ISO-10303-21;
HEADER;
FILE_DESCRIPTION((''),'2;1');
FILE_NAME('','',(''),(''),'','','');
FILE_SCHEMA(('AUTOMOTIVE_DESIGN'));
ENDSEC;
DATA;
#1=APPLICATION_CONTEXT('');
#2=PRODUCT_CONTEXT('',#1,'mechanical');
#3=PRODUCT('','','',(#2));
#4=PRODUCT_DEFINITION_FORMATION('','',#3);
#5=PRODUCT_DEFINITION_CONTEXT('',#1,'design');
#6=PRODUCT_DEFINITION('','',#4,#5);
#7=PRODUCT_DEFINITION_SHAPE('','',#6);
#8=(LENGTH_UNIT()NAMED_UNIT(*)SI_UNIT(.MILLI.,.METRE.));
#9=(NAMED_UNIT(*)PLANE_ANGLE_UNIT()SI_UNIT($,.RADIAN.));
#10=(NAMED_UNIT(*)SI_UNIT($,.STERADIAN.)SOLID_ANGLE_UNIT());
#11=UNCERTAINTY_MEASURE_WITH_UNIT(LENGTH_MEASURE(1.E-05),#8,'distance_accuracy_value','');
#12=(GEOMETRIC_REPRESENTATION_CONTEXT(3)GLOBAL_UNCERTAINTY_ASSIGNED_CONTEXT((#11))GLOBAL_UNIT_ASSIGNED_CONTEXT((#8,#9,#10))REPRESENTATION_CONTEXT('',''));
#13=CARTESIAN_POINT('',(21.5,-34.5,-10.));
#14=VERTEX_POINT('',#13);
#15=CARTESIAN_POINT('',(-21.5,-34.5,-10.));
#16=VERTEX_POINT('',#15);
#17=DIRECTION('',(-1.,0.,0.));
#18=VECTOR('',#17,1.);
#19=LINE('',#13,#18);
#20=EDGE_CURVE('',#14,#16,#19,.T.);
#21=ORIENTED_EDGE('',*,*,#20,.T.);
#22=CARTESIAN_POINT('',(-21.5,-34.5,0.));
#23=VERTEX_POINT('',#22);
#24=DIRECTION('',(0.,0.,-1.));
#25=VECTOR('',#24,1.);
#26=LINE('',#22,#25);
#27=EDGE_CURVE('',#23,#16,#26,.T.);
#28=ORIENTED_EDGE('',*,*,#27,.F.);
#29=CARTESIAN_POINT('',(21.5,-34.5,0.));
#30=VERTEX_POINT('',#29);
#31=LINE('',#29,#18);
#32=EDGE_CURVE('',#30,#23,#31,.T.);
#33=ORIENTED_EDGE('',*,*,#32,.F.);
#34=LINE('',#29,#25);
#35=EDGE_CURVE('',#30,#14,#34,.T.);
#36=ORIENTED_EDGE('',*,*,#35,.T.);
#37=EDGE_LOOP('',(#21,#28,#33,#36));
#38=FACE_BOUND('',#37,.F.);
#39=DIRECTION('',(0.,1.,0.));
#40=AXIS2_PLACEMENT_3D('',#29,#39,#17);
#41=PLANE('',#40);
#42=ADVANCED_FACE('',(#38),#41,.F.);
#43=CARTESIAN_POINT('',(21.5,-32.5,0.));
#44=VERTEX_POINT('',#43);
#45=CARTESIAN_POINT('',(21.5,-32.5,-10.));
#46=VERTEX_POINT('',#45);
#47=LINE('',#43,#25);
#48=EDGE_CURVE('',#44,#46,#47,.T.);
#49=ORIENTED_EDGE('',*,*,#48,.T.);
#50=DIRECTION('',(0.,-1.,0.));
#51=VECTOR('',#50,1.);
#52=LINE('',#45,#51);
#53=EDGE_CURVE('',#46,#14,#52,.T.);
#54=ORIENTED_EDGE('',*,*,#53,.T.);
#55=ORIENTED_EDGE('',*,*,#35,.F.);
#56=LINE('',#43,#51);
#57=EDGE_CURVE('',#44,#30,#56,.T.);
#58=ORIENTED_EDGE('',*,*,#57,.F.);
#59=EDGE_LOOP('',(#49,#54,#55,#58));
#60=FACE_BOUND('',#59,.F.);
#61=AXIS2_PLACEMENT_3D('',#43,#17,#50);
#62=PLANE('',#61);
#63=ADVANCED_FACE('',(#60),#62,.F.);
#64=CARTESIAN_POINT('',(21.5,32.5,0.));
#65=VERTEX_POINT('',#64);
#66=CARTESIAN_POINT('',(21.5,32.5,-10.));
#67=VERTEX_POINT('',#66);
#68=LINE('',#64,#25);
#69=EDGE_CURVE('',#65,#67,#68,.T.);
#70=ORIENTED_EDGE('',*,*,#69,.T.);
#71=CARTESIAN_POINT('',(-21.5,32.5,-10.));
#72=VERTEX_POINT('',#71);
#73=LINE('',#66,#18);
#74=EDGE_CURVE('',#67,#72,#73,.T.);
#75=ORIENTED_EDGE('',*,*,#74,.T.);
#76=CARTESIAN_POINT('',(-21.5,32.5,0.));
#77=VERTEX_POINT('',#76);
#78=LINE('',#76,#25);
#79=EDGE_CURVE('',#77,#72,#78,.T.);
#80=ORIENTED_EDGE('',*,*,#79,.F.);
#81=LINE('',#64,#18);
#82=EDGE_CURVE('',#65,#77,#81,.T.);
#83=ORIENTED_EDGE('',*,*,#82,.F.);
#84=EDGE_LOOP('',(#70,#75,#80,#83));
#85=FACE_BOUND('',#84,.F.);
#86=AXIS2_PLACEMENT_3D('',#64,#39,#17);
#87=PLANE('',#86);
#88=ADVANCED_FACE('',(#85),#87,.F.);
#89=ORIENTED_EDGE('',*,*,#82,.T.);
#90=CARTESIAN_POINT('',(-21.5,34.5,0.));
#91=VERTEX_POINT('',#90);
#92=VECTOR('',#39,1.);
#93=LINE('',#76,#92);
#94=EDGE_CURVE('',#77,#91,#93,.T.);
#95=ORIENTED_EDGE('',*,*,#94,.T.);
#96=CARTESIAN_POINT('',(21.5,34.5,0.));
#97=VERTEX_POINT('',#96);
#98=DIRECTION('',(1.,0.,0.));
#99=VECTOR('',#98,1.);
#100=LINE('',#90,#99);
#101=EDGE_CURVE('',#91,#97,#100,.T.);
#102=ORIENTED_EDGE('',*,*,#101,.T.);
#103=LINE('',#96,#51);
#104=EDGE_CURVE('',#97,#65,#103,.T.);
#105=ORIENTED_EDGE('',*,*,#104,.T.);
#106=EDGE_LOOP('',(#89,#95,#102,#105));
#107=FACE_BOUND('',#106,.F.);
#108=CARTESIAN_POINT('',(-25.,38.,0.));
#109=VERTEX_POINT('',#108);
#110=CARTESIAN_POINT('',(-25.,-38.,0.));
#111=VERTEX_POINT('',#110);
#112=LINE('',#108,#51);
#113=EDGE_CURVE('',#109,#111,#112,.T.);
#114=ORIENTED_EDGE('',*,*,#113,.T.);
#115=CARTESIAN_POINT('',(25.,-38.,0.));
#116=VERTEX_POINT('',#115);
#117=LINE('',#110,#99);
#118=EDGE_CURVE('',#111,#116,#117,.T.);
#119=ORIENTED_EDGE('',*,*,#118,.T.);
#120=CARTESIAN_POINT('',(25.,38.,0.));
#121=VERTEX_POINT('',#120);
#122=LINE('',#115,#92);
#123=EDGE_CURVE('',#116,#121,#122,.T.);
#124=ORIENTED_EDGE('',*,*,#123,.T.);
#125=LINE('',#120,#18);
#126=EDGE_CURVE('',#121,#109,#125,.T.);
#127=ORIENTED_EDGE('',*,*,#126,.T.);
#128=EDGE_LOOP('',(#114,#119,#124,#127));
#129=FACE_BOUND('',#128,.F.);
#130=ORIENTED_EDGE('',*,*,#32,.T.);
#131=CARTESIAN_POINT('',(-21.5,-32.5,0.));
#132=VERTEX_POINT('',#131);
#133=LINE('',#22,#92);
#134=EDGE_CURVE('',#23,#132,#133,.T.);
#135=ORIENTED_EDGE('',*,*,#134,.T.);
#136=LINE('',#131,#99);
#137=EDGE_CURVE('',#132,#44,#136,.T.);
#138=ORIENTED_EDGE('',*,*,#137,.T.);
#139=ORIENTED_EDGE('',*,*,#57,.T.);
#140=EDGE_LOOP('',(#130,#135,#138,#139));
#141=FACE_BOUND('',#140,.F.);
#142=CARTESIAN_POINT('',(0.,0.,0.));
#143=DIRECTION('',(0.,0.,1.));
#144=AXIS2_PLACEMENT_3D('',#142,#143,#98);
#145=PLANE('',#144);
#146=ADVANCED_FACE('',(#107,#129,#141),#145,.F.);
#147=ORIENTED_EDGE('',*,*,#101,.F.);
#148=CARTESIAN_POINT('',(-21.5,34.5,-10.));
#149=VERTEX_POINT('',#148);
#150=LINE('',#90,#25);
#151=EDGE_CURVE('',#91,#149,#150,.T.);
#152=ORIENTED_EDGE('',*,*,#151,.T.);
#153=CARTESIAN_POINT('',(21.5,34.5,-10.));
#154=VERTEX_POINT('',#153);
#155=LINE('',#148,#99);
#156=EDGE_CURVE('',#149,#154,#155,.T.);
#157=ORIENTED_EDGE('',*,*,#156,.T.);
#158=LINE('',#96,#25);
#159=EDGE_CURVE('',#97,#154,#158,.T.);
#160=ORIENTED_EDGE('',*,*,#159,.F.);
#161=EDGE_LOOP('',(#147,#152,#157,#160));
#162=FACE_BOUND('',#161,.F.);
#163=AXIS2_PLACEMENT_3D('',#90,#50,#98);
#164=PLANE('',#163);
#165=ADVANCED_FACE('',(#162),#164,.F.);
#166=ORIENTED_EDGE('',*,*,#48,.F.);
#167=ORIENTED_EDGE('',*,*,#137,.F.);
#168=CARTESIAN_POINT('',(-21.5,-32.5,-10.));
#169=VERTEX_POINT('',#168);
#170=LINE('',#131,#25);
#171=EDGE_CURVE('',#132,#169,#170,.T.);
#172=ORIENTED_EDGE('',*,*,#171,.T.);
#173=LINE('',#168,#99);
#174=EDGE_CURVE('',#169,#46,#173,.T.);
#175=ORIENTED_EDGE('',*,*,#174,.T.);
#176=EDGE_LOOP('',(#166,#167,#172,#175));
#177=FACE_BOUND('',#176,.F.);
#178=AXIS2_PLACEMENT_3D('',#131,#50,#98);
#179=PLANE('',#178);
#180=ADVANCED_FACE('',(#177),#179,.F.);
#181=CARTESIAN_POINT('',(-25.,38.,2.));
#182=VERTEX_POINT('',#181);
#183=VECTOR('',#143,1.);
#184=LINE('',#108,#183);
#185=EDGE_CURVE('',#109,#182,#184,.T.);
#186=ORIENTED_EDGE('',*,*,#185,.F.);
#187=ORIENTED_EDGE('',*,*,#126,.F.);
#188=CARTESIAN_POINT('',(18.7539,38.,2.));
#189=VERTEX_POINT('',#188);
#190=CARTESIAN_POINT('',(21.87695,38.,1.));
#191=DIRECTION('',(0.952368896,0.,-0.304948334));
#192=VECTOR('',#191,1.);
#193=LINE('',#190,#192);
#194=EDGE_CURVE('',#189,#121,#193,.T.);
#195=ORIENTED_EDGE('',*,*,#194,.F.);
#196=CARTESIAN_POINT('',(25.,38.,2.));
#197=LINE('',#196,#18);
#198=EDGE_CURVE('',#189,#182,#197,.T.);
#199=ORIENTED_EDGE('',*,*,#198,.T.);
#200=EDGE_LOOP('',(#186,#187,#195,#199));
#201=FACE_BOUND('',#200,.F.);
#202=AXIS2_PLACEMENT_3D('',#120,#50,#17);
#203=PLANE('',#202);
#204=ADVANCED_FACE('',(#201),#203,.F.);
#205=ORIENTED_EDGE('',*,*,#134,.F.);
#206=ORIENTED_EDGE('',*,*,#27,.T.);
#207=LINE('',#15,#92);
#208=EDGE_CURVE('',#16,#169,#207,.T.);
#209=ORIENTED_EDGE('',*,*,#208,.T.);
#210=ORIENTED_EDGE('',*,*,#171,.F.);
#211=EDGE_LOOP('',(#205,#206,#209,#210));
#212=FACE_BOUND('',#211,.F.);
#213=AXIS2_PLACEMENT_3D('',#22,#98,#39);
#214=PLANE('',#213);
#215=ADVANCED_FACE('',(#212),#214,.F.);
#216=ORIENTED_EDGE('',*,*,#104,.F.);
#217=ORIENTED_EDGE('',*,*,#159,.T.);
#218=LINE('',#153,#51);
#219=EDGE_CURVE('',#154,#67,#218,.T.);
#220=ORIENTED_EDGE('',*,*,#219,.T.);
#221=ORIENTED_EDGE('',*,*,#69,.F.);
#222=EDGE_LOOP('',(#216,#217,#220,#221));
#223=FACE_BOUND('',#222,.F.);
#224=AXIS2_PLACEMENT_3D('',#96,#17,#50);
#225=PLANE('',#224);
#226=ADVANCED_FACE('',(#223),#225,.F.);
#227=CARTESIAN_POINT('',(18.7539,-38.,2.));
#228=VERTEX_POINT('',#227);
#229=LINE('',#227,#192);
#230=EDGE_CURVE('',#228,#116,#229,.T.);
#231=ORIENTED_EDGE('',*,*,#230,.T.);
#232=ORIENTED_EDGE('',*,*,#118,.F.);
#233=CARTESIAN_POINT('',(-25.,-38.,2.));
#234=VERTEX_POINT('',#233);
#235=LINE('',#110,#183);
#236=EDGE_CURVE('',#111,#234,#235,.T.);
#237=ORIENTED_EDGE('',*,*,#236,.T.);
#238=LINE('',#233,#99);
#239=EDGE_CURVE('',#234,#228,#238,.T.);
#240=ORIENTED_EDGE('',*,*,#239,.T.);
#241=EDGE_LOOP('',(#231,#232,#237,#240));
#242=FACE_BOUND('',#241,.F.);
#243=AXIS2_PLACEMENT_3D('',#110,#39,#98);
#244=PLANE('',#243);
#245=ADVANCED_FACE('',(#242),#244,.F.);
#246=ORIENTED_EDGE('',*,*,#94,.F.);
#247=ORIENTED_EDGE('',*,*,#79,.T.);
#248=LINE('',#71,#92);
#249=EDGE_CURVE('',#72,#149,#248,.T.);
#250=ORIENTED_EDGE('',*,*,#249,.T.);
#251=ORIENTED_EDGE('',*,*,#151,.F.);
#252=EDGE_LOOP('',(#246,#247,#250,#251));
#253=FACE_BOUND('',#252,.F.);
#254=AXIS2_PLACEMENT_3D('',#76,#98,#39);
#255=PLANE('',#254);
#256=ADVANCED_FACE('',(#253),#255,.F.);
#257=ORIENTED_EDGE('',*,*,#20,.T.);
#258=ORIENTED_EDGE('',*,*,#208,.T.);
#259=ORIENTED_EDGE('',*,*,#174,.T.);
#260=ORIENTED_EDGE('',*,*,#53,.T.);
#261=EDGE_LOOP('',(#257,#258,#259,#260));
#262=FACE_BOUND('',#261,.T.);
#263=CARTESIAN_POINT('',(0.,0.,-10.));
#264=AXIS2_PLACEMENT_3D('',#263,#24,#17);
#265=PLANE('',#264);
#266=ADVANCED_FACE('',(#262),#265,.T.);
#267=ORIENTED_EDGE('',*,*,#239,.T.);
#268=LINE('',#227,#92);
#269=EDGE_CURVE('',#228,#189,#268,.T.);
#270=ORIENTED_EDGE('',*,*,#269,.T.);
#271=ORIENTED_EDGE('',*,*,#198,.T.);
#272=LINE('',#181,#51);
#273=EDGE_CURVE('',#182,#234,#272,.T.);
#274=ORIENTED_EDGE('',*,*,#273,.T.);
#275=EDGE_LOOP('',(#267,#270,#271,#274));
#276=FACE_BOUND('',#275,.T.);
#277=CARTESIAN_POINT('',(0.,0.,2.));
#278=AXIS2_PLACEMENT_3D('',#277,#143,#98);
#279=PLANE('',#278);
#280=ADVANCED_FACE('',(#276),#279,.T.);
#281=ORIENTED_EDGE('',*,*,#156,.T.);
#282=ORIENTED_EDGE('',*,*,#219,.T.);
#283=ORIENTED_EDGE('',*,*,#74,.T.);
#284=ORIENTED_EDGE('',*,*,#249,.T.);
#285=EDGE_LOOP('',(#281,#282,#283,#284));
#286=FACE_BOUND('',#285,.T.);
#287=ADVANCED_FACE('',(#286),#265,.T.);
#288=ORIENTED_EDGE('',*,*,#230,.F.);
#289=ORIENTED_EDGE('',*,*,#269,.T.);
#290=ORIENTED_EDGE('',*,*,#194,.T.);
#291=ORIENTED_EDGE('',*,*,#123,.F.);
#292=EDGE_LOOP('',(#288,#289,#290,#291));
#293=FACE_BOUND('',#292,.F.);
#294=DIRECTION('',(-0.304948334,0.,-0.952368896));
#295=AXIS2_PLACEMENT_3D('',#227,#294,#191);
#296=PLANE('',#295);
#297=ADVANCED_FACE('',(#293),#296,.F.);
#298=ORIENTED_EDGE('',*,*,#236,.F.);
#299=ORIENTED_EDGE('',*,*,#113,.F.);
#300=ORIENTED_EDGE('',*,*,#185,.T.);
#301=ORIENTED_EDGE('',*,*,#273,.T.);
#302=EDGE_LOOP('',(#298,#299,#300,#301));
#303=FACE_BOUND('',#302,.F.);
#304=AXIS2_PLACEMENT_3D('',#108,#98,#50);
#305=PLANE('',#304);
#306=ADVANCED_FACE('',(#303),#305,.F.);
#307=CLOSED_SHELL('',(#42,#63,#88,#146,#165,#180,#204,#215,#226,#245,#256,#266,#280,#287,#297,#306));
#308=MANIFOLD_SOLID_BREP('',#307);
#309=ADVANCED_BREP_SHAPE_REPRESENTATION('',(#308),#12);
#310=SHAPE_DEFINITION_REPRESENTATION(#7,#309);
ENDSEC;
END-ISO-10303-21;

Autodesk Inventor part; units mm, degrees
ref_plane "YZ Plane" through (0, 0, 0) normal (1, 0, 0) x (0, 1, 0)
ref_plane "XZ Plane" through (0, 0, 0) normal (0, 1, 0) x (-1, 0, 0)
ref_plane "XY Plane" through (0, 0, 0) normal (0, 0, 1) x (1, 0, 0)
sketch "Sketch1" plane through (0, 0, 0) normal (0, 0, 1) x (1, 0, 0)
  line L0 (-22, 35) -> (22, 35) projected
  line L1 (22, 35) -> (22, -35) projected
  line L2 (22, -35) -> (-22, -35) projected
  line L3 (-25, -38) -> (25, -38) projected
  line L4 (25, -38) -> (25, 38) projected
  line L5 (25, 38) -> (-25, 38) projected
  line L6 (-25, 38) -> (-25, -38) projected
  line L7 (-22, -6.5359) -> (-22, 6.5359) projected
  arc A0 (-22, -6.5359) -> (-22, -13.4641) centre (-20, -10) ccw projected
  arc A1 (-22, 13.4641) -> (-22, 6.5359) centre (-20, 10) ccw projected
  line L8 (-22, 13.4641) -> (-22, 35) projected
  line L9 (-22, -35) -> (-22, -13.4641) projected
  point P0 (0, 0)
extrude "Extrusion1" add sketch "Sketch1" along normal blind 2 contours L0 L1 L2 L9 A0 L7 A1 L8 | L6 L5 L4 L3
sketch "Sketch2" plane through (-25, -38, 0) normal (0, -1, 0) x (1, 0, 0)
  line L0 (50, 0) -> (103.092, -17) construction
  line L1 (43.7539, 2) -> (50, 0)
  line L2 (0, 2) -> (50, 2) construction
  line L3 (50, 0) -> (50, 2) projected
  line L4 (43.7539, 2) -> (50, 2)
  line L5 (50, 2) -> (50, 0)
  point P0 (25, 0)
extrude "Extrusion2" cut sketch "Sketch2" against normal through all
sketch "Sketch3" plane through (0, 0, 0) normal (0, 0, -1) x (-1, 0, 0)
  line L0 (-22, -35) -> (22, -35) projected
  line L1 (22, 35) -> (-22, 35) projected
  line L2 (-22, 35) -> (-22, -35) projected
  line L3 (22, -35) -> (22, -13.4641) projected
  line L4 (22, 13.4641) -> (22, 35) projected
  line L5 (-21.5, -34.5) -> (21.5, -34.5)
  line L6 (21.5, -34.5) -> (21.5, -32.5)
  line L7 (21.5, -32.5) -> (-21.5, -32.5)
  line L8 (-21.5, -32.5) -> (-21.5, -34.5)
  line L9 (-21.5, 32.5) -> (21.5, 32.5)
  line L10 (21.5, 32.5) -> (21.5, 34.5)
  line L11 (21.5, 34.5) -> (-21.5, 34.5)
  line L12 (-21.5, 34.5) -> (-21.5, 32.5)
  point P0 (0, 0)
  dimension "d4" = 0.5
  dimension "d5" = 0.5
  dimension "d6" = 0.5
  dimension "d8" = 0.5
  dimension "d9" = 2
  dimension "d10" = 2
extrude "Extrusion3" add sketch "Sketch3" along normal blind 10
equation "\"d5\" = d4"
equation "\"d6\" = d4"
equation "\"d8\" = d4"
equation "\"d10\" = d9"
properties part number "cover2" material "Ogólne"
